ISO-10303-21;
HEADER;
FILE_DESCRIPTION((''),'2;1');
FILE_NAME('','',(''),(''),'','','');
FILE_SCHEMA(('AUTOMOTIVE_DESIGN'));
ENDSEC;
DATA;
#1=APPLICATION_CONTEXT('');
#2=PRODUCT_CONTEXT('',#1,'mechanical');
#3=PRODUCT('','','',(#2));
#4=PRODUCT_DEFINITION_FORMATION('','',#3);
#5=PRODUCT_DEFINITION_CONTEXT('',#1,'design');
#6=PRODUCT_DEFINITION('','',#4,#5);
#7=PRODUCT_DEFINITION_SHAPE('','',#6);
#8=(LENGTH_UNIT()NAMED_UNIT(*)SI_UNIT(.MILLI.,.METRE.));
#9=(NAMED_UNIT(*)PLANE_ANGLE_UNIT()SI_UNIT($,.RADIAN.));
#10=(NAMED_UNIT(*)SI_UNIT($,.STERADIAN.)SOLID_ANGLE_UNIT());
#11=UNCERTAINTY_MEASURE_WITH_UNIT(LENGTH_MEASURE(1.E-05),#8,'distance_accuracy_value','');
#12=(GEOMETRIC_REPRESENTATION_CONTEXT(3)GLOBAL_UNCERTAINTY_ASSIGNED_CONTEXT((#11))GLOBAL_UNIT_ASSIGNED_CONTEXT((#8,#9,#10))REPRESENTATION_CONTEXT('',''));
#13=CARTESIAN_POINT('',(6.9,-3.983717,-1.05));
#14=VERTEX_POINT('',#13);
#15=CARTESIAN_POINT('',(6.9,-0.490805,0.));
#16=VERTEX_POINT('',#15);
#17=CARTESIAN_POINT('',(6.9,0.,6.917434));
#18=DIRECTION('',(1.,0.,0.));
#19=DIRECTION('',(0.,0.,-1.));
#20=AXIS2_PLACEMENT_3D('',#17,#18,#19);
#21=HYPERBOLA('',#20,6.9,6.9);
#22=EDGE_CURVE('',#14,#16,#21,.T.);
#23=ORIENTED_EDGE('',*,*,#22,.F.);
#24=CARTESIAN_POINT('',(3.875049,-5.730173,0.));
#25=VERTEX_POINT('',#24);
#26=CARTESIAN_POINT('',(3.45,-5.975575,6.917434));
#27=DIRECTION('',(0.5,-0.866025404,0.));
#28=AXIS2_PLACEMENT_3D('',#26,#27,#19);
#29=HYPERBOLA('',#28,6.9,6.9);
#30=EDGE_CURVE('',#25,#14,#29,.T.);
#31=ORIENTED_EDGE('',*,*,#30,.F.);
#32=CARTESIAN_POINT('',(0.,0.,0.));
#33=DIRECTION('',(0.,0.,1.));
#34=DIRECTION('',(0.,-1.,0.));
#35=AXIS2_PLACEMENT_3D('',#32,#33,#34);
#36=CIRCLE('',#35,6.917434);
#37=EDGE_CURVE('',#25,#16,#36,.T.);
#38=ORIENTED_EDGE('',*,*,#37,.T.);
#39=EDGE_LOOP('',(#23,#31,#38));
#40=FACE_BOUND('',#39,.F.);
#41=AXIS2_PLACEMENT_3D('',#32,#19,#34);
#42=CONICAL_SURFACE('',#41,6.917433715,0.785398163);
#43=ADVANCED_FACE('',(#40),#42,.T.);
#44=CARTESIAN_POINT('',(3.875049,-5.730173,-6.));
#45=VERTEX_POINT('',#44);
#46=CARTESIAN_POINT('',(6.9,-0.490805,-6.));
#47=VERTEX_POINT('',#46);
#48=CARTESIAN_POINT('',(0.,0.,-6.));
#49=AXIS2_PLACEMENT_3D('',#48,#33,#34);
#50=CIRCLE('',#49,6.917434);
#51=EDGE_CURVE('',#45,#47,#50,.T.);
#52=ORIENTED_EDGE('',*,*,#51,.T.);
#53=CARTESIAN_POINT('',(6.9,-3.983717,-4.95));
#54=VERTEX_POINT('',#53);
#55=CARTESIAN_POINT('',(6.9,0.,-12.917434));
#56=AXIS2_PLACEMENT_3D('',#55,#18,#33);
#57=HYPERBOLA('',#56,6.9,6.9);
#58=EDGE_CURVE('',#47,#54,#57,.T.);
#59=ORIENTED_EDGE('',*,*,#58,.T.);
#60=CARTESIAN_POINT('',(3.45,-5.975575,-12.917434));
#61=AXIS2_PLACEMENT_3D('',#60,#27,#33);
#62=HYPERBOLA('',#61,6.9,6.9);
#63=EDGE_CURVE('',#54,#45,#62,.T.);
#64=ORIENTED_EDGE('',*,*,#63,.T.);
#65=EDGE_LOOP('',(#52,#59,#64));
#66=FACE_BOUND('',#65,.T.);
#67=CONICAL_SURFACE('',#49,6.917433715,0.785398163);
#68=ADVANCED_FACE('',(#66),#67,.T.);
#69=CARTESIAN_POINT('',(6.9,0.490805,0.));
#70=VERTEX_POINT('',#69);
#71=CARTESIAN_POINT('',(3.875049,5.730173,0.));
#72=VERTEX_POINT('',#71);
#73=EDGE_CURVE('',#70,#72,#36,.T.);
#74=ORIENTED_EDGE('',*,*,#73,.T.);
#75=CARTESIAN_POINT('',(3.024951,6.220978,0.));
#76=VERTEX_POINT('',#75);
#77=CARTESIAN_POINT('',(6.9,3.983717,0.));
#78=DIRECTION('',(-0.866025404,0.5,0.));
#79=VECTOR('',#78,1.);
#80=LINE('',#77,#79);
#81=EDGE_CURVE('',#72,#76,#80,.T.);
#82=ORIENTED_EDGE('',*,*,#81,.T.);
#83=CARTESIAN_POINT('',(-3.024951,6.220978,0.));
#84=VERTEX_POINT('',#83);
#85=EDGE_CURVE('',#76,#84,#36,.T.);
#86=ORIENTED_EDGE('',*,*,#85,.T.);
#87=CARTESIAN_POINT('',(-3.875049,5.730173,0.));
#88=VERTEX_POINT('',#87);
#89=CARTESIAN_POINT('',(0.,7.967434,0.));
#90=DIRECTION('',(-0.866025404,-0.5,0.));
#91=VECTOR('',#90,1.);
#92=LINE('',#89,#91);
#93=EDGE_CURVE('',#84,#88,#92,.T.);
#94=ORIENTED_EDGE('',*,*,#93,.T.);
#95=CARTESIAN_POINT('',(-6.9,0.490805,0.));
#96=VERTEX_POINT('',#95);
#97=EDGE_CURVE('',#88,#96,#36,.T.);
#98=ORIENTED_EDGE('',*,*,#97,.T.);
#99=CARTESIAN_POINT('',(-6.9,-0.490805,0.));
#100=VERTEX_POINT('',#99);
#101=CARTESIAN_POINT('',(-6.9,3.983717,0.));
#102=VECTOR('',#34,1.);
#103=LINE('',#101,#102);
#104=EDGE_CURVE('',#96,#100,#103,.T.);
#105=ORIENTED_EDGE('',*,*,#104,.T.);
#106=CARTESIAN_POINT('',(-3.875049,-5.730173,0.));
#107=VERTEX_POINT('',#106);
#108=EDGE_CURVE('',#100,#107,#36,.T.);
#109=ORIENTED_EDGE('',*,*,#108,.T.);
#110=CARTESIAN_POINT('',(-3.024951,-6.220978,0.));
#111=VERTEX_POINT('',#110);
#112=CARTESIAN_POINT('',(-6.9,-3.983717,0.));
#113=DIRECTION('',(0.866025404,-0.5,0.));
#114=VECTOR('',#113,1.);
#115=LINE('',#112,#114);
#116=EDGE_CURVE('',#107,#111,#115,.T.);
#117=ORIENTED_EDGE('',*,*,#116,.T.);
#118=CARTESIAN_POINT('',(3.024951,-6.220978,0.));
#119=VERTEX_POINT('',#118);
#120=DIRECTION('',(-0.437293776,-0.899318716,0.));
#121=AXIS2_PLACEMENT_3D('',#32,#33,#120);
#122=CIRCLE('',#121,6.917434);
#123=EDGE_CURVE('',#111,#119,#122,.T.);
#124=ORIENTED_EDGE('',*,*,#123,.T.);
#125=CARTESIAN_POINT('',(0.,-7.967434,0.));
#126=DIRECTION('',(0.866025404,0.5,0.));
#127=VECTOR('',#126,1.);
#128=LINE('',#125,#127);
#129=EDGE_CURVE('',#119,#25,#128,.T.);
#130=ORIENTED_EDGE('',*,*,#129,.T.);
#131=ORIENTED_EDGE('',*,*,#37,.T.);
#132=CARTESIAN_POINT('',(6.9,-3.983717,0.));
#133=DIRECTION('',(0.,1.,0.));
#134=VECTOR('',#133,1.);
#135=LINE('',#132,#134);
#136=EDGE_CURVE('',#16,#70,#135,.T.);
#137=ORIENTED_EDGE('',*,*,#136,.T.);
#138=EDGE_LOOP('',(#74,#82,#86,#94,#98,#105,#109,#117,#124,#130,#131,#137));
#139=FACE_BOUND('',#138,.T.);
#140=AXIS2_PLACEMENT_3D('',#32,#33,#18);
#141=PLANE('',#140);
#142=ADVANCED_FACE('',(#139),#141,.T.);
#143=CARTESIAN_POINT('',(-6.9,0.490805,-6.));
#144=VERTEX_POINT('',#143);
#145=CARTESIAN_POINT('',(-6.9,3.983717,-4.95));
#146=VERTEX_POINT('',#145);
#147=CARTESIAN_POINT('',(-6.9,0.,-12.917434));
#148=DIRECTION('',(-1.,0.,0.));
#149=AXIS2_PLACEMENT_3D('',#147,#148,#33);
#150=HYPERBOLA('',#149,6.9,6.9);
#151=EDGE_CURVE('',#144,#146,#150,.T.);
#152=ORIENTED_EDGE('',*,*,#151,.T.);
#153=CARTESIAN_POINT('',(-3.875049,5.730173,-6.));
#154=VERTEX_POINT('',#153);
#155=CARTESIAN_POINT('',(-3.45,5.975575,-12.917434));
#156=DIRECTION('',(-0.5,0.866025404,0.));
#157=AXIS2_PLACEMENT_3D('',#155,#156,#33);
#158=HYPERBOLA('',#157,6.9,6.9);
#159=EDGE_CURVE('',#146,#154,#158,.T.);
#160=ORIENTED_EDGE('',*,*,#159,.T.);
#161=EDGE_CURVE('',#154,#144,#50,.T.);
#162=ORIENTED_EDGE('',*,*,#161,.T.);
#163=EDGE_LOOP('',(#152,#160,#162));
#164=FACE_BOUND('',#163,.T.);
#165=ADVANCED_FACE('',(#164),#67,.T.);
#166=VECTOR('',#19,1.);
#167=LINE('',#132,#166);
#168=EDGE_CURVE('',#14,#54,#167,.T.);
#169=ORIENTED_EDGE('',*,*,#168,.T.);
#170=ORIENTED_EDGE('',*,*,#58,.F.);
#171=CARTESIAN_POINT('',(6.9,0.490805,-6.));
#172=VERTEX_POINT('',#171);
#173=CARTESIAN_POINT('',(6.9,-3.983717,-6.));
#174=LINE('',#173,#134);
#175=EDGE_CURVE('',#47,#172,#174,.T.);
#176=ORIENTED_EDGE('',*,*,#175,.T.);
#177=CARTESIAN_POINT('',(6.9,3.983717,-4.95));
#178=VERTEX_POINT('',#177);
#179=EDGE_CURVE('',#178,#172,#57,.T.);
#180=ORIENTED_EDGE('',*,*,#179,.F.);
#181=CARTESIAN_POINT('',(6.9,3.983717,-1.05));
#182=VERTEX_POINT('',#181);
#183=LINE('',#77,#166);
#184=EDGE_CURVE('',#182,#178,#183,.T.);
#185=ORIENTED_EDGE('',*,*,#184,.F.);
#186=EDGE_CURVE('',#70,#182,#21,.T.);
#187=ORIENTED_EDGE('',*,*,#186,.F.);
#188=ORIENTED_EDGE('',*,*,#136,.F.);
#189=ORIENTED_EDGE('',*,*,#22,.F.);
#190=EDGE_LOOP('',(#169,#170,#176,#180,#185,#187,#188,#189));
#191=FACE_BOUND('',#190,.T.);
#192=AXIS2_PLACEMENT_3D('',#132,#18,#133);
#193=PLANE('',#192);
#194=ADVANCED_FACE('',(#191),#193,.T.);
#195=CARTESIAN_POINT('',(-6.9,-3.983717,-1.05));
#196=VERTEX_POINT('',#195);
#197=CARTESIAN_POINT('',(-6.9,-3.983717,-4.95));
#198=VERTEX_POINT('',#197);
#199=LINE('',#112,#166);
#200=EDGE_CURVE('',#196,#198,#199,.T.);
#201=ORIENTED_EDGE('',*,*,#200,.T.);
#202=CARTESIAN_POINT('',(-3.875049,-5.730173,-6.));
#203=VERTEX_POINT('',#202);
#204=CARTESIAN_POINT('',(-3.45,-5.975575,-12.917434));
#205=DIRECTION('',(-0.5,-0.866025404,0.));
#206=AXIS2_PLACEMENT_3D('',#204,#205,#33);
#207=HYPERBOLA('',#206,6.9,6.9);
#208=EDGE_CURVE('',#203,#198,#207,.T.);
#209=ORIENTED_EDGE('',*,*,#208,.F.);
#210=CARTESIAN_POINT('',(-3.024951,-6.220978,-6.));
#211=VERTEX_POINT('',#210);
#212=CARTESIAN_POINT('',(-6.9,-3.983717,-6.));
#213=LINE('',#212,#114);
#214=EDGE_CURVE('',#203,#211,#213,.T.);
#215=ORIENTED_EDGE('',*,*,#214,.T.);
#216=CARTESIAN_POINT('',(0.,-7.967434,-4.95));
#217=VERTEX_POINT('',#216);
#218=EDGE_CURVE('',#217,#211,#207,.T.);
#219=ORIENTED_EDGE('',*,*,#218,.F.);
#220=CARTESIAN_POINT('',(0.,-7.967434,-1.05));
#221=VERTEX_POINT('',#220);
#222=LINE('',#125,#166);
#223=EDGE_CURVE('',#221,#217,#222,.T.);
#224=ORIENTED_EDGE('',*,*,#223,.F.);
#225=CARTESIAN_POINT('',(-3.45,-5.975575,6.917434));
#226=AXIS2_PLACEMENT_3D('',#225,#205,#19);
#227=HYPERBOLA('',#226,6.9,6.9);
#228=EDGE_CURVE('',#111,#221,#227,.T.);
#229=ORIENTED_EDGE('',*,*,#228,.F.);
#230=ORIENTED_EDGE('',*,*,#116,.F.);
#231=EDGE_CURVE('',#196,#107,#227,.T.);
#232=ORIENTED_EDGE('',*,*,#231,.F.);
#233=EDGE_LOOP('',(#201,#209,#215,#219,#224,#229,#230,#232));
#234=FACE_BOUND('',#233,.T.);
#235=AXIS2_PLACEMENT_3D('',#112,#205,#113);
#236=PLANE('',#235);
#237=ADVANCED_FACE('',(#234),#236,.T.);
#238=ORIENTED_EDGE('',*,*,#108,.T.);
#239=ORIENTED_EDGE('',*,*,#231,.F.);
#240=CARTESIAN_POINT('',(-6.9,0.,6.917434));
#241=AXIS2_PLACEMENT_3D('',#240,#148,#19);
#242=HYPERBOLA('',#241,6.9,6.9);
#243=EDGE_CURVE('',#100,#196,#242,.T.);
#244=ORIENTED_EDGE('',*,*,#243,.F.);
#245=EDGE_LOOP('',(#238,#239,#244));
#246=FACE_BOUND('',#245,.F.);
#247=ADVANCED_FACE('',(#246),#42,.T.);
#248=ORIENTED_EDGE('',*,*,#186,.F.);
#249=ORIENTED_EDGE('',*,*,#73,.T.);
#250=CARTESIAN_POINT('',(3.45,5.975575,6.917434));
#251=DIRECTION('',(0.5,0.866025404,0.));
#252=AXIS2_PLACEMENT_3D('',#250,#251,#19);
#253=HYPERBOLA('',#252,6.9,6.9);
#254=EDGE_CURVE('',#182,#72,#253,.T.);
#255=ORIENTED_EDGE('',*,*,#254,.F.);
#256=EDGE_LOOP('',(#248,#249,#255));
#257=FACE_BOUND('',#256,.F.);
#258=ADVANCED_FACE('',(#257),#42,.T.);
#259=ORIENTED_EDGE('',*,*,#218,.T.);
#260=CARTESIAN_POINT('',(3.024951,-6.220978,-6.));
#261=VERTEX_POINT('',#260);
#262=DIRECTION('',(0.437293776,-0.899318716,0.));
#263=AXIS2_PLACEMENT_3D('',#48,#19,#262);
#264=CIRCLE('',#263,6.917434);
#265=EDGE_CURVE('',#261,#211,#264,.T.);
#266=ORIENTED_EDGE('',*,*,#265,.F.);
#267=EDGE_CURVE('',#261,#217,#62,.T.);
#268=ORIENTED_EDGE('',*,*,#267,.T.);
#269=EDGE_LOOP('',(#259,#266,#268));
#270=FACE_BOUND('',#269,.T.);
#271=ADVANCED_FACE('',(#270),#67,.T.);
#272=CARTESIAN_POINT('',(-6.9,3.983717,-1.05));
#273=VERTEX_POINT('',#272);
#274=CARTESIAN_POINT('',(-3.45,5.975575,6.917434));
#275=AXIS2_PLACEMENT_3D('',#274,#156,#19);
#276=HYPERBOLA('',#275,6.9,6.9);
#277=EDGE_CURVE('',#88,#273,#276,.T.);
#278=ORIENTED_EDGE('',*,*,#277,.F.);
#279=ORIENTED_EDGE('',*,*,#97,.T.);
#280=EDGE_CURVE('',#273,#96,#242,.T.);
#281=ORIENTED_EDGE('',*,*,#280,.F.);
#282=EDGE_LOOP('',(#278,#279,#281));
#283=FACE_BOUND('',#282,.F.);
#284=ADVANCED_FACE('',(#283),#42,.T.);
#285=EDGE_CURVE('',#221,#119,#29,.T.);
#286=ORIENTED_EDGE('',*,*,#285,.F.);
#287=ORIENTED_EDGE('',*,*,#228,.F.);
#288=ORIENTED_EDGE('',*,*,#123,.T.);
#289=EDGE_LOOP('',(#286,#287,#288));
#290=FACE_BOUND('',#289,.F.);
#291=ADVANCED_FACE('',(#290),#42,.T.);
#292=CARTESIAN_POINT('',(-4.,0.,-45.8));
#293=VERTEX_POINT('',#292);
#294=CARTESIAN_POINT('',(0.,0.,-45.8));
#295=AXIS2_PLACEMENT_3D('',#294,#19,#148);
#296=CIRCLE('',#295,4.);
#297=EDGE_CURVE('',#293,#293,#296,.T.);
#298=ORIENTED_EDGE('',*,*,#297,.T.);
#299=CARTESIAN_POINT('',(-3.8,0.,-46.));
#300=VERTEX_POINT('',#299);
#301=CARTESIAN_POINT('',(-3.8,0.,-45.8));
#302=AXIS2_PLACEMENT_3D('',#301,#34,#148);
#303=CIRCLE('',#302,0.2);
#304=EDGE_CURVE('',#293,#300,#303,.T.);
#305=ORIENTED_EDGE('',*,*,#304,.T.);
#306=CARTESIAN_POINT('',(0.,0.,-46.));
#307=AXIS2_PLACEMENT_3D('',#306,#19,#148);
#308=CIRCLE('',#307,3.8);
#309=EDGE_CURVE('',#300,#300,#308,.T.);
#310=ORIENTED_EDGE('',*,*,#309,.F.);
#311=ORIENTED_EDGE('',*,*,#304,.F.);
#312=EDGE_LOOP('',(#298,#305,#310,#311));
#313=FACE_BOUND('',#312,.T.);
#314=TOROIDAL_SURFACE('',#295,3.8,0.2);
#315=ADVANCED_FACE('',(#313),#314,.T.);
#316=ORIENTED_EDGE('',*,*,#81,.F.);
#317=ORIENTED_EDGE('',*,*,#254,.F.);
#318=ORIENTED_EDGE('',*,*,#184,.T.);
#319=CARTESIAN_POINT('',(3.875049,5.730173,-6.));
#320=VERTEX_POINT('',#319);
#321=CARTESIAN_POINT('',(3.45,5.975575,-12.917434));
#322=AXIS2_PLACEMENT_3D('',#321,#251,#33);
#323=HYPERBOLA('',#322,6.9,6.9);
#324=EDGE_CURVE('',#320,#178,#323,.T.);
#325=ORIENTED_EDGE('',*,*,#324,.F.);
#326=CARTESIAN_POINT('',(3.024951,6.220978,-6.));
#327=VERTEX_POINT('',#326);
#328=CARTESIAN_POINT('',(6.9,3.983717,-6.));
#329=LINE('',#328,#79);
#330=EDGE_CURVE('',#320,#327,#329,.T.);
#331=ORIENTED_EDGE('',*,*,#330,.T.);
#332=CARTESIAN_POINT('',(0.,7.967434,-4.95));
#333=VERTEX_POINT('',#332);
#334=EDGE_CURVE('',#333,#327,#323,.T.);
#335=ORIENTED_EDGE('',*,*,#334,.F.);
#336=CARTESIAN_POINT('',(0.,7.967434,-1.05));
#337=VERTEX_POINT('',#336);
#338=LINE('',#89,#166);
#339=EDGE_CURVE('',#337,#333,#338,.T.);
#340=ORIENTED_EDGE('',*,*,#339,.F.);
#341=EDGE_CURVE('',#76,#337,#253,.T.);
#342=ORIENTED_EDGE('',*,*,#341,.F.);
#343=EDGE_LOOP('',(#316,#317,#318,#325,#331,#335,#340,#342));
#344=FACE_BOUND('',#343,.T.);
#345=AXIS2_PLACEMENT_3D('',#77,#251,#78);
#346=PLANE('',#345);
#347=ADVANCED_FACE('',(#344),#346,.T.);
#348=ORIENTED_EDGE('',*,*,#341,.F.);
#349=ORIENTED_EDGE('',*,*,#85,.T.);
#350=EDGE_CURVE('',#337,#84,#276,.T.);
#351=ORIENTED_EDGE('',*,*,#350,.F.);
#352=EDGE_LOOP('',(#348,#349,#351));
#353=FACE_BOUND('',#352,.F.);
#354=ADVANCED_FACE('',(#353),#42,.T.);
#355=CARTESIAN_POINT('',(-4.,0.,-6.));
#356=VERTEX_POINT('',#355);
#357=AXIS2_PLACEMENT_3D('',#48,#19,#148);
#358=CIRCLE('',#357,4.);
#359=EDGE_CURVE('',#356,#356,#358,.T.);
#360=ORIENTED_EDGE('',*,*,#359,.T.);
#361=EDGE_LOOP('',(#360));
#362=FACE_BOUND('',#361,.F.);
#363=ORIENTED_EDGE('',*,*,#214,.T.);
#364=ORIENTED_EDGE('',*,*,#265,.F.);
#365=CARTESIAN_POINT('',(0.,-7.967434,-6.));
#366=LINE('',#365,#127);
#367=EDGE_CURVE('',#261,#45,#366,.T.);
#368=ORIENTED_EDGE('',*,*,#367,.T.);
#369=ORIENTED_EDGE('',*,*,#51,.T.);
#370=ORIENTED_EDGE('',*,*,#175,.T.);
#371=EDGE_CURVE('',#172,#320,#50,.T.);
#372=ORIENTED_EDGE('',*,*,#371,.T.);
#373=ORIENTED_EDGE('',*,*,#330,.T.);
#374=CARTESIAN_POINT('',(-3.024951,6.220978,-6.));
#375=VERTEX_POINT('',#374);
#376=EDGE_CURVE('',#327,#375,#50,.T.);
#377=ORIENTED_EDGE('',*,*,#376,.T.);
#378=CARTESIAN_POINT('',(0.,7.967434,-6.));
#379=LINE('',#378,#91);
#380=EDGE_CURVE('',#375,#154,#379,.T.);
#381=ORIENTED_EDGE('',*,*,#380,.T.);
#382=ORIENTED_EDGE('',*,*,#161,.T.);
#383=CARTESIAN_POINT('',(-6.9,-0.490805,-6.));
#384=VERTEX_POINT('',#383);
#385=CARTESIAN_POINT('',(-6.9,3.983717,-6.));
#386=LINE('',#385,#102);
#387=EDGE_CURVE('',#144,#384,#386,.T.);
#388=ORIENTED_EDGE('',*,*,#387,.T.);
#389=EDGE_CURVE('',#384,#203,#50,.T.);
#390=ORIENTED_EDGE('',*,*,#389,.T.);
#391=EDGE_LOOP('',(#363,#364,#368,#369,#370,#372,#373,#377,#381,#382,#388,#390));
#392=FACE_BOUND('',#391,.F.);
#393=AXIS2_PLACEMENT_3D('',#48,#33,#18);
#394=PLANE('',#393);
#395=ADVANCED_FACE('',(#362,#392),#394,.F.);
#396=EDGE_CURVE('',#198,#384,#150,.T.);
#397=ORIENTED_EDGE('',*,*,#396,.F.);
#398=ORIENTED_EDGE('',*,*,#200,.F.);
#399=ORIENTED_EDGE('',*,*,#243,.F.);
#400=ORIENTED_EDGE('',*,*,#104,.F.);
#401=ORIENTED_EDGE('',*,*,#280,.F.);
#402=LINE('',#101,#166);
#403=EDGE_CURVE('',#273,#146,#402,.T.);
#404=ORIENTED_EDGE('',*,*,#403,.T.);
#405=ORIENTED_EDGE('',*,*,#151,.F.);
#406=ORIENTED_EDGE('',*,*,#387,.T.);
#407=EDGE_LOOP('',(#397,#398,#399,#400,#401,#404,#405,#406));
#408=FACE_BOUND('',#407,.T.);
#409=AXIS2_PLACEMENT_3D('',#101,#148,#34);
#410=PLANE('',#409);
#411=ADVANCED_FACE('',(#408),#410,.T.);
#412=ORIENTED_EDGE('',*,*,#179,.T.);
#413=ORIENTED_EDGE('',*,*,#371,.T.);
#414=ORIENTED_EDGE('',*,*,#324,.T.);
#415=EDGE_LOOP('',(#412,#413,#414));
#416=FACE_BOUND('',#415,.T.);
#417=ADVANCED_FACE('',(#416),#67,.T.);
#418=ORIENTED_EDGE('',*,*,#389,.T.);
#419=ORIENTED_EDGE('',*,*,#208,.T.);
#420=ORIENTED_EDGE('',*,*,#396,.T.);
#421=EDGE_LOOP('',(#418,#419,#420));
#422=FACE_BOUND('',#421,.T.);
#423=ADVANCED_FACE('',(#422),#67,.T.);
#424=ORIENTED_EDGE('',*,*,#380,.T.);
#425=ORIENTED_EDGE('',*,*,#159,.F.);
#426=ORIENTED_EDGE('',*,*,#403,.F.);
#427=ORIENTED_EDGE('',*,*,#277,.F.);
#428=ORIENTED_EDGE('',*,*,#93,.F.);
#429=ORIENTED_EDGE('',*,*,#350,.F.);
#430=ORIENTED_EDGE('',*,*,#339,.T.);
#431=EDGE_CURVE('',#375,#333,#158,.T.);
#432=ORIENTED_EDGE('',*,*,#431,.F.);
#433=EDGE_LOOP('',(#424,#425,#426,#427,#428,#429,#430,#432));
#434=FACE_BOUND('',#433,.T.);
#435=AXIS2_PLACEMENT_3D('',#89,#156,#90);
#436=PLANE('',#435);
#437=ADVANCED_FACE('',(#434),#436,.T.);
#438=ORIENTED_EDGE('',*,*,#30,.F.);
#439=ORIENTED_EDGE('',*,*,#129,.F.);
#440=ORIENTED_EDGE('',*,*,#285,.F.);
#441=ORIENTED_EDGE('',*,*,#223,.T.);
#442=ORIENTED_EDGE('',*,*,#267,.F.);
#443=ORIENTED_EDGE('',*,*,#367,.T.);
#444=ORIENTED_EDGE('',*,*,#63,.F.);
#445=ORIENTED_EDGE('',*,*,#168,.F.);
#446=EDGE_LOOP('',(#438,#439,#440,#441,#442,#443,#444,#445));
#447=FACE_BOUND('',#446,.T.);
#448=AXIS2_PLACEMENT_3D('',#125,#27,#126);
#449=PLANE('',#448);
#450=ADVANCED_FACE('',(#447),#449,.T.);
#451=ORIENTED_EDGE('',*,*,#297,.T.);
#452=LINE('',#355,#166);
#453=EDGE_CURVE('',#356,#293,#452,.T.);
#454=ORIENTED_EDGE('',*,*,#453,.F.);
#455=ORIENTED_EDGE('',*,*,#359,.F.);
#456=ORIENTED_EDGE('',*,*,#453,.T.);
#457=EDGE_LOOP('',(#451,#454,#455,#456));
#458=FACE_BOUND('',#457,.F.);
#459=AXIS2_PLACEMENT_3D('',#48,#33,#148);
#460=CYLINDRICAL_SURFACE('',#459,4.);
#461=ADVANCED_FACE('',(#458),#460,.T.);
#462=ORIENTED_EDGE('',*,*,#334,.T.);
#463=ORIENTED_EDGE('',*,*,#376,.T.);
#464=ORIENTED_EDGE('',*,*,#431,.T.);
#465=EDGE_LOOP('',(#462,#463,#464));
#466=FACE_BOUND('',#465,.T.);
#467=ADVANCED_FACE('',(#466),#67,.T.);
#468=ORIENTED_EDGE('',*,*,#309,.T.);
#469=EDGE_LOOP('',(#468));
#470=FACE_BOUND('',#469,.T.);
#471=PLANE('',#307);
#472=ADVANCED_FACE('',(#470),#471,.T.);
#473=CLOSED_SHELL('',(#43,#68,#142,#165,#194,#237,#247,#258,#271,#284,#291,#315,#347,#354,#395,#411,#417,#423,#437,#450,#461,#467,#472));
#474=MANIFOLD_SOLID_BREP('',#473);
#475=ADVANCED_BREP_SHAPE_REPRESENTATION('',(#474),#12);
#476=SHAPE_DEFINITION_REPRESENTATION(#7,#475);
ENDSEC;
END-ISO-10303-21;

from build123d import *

# Parameters (mm, degrees)
EXTRUDE_1_DEPTH = 6
SKETCH_2_R      = 4
EXTRUDE_2_DEPTH = 40
FILLET_3_R      = 0.2


with BuildPart() as part:
    # 草图1 → 凸台-拉伸1 (new body)
    with BuildSketch(Plane.XY):
        Polygon((0, 7.967433715), (-6.9, 3.983716857), (-6.9, -3.983716857), (0, -7.967433715), (6.9, -3.983716857), (6.9, 3.983716857), align=None)
    extrude(amount=-EXTRUDE_1_DEPTH)

    # 草图2 → 凸台-拉伸2 (add)
    with BuildSketch(Plane(origin=(0, 0, -6), x_dir=(-1, 0, 0), z_dir=(0, 0, -1))):
        Circle(SKETCH_2_R)
    extrude(amount=EXTRUDE_2_DEPTH)

    # 草图3 → 切除-旋转1 (revolve, cut)
    with BuildSketch(Plane(origin=(0, 0, 0), x_dir=(0, 0, -1), z_dir=(1, 0, 0))):
        Polygon((0, -6.917433715), (1.05, -7.967433715), (0, -7.967433715), align=None)
        Polygon((6, -6.917433715), (4.95, -7.967433715), (6, -7.967433715), align=None)
    revolve(axis=Axis((0, 0, 0), (0, 0, 1)), mode=Mode.SUBTRACT)

    # 圆角3
    fillet_3_edges = [part.edges().sort_by_distance(p)[0] for p in [
        (4, 0, -46),
    ]]
    fillet(fillet_3_edges, radius=FILLET_3_R)


solid = part.part
